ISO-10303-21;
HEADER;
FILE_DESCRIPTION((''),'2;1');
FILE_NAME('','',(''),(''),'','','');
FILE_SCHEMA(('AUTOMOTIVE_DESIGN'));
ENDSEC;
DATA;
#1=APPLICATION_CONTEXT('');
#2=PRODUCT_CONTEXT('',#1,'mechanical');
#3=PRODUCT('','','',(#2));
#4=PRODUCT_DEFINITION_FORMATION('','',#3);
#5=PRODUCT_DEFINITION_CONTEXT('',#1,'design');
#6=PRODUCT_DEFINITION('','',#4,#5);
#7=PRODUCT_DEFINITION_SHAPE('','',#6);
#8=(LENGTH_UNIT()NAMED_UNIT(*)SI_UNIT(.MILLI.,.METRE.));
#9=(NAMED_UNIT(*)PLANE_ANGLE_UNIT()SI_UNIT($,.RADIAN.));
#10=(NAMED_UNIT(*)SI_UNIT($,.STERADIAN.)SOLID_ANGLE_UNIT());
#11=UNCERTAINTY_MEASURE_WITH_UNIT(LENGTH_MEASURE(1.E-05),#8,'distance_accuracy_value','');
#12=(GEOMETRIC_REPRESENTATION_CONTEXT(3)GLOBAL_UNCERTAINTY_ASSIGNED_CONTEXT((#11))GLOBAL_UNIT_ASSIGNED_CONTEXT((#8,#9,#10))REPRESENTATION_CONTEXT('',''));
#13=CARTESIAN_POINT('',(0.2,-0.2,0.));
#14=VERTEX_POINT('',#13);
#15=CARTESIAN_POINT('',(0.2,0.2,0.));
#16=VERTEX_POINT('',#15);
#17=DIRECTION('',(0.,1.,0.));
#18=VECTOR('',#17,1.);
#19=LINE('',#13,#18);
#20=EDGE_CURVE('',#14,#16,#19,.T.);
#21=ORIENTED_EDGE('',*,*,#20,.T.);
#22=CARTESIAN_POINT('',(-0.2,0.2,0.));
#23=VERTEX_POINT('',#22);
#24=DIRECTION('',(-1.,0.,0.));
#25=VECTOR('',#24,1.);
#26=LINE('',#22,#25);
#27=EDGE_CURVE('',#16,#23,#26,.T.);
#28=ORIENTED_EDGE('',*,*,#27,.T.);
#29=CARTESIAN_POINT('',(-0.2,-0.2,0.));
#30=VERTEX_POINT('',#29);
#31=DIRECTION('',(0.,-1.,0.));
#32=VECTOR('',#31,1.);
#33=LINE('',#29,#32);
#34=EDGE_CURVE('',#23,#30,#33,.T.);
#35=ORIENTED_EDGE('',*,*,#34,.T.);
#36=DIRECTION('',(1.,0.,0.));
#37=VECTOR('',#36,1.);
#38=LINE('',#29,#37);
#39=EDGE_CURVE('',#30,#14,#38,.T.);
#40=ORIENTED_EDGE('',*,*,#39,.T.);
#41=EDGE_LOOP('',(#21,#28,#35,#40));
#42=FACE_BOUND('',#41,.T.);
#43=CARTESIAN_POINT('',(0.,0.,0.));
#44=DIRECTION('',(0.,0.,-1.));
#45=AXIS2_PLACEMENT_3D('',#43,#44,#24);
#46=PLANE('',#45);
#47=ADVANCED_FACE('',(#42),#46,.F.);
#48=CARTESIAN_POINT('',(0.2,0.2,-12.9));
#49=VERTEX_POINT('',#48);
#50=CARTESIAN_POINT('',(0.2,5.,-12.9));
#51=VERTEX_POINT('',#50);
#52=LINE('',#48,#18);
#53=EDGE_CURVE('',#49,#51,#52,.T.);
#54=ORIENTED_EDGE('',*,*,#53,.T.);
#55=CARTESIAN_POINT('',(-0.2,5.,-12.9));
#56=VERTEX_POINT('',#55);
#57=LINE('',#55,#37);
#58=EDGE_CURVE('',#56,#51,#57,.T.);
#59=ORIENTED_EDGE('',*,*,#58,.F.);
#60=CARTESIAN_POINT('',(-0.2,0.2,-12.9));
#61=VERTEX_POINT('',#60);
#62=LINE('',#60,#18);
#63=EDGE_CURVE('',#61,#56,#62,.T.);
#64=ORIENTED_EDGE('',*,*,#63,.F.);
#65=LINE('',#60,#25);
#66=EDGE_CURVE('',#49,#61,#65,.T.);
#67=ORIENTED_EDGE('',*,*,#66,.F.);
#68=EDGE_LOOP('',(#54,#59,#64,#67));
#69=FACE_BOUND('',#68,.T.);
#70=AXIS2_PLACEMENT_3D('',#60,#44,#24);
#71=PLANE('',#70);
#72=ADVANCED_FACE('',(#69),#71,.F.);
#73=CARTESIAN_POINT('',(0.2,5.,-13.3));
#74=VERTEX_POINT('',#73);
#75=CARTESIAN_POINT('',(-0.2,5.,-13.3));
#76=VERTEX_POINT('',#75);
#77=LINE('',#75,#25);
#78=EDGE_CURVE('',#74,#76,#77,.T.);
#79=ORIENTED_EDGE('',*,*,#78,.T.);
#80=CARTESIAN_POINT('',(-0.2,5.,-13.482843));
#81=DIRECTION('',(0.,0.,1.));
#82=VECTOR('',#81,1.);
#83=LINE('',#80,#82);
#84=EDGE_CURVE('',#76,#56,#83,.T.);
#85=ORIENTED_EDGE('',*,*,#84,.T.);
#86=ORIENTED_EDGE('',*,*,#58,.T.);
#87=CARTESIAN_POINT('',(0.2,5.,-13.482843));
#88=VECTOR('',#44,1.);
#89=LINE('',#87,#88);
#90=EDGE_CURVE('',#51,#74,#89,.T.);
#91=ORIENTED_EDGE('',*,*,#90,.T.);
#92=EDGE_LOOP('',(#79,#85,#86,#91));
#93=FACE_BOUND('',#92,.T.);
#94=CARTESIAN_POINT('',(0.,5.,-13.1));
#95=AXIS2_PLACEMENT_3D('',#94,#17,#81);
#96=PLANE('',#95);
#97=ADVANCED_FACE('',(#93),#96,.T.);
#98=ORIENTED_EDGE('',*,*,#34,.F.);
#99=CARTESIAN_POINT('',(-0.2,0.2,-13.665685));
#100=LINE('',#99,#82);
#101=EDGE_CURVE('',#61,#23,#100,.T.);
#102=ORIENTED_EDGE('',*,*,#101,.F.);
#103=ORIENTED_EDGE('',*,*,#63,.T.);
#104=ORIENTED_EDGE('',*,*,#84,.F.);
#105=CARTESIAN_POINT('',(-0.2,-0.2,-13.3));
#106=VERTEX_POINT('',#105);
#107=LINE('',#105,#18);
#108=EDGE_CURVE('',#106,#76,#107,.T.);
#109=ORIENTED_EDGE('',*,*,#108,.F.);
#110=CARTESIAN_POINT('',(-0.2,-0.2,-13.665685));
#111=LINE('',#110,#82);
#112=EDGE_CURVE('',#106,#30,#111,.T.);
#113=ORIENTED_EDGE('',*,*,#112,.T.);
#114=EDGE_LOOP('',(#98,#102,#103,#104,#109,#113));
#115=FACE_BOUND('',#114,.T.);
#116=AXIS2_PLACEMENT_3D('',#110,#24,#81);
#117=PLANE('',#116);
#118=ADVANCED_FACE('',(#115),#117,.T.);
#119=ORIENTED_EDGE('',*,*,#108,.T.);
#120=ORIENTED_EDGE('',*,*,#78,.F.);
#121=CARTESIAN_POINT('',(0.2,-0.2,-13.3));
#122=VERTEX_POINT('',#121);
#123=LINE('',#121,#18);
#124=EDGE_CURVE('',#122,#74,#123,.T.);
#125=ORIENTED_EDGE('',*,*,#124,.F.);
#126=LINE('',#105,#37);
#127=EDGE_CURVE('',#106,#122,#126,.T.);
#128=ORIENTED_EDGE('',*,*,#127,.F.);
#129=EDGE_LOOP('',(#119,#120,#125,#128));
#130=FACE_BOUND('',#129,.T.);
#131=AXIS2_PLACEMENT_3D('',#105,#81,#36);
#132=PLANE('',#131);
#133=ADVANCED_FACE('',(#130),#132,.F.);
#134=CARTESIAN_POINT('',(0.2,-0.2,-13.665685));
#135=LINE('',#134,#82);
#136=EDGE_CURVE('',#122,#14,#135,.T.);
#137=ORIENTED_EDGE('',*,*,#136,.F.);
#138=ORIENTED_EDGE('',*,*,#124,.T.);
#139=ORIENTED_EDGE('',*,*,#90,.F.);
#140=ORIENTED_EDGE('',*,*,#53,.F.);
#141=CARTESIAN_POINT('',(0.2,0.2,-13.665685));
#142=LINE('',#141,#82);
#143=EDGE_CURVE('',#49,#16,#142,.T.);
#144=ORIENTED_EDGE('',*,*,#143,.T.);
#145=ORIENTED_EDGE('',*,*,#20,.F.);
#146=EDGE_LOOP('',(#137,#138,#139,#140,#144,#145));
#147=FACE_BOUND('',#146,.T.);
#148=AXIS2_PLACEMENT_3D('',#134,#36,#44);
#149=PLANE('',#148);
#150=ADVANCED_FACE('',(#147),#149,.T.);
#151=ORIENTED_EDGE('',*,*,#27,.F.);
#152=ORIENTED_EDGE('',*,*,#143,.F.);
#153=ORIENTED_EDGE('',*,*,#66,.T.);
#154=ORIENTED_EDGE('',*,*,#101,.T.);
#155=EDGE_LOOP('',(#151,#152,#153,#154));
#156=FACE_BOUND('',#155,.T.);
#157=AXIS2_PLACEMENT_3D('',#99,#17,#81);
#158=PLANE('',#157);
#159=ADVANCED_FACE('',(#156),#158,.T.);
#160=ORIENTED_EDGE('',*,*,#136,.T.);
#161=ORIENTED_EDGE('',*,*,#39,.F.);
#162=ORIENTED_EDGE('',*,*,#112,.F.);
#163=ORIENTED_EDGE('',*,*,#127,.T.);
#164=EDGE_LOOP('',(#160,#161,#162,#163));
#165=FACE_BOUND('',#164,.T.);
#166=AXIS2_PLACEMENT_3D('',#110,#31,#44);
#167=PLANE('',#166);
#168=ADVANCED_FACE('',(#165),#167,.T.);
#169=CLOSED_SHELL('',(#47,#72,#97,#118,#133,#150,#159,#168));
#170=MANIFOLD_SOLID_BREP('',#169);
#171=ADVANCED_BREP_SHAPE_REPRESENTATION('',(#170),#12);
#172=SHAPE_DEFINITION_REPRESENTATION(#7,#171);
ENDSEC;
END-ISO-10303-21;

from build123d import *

# Parameters (mm, degrees)
SKETCH_4_W = 0.4
SKETCH_4_H = 0.4


with BuildPart() as part:
    # По траектории1: sweep along a curve in space
    with BuildLine() as sweep_1_path:
        Line((0, 0, 0), (0, 0, -13.1))
        Line((0, 0, -13.1), (0, 5, -13.1))
    # Эскиз4 → По траектории1 (sweep)
    with BuildSketch(Plane.XY):
        Rectangle(SKETCH_4_W, SKETCH_4_H)
    sweep(path=sweep_1_path.line, transition=Transition.RIGHT)


solid = part.part
